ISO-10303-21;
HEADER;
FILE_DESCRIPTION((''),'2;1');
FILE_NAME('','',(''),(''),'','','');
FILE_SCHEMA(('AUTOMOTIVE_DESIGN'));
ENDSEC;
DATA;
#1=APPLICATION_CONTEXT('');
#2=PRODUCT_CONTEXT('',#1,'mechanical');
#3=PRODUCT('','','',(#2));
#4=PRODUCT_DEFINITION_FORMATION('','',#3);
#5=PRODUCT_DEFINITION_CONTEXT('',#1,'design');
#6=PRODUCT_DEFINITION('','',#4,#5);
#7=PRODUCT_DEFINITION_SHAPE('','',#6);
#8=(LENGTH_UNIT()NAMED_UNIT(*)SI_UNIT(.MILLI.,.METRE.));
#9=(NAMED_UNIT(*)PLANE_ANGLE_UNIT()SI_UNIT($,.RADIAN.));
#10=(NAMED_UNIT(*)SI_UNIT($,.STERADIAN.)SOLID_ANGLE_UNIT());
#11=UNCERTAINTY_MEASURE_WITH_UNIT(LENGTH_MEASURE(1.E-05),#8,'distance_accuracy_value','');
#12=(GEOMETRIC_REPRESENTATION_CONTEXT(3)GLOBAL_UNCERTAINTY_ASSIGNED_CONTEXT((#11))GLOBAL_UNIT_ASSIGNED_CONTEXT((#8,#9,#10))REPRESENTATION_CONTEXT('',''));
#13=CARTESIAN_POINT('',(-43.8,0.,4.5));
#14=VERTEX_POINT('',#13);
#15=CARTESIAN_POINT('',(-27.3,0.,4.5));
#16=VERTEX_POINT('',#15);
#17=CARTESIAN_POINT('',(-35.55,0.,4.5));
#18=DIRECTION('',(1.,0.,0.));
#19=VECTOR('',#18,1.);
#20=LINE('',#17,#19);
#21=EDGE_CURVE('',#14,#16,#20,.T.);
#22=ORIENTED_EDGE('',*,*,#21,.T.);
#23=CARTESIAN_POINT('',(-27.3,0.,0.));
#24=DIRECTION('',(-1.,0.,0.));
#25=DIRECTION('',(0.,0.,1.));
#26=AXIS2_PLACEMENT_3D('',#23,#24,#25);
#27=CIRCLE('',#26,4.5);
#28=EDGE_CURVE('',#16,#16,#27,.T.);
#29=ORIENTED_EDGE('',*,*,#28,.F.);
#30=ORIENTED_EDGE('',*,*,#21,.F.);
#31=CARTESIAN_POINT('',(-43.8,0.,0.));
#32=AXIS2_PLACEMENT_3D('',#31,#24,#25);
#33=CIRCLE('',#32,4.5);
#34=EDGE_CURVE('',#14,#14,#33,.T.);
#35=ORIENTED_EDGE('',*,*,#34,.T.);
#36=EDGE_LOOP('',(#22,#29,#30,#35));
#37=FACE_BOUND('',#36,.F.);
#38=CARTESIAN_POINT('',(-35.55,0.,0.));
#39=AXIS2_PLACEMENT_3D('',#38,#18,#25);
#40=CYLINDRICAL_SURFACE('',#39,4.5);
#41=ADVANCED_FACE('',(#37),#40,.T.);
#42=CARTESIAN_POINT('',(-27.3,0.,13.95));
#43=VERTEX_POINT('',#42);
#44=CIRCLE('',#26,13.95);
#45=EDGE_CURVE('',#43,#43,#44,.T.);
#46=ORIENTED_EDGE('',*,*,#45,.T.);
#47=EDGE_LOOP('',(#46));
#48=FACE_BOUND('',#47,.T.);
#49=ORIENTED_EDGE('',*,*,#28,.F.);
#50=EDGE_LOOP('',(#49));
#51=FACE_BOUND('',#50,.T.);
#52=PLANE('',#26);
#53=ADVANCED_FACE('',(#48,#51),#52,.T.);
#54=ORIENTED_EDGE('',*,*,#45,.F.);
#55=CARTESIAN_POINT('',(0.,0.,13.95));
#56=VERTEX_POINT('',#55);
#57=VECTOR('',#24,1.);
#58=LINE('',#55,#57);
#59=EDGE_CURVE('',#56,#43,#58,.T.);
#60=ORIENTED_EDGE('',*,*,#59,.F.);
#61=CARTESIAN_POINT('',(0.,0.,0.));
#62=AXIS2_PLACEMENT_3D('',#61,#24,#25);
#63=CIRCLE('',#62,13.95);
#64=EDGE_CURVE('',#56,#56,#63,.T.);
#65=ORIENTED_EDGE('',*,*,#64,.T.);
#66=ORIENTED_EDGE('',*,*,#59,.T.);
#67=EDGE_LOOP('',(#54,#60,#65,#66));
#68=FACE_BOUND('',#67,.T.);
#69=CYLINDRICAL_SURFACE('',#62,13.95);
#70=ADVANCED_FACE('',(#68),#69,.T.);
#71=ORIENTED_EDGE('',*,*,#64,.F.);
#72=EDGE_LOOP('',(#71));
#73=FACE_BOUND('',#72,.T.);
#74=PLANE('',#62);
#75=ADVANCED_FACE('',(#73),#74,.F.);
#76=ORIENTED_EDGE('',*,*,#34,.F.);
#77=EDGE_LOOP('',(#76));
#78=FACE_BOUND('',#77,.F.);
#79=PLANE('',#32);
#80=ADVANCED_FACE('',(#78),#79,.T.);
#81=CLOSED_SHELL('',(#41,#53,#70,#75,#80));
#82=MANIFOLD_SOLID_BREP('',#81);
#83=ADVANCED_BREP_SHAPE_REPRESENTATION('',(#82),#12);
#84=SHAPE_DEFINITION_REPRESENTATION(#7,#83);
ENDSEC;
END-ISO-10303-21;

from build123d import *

# Parameters (mm, degrees)
F0_W = 16.5
F0_H = 4.5


with BuildPart() as f1:
    # F0 (on Front) → F1 (revolve)
    with BuildSketch(Plane.XZ):
        Polygon((0, 13.95), (-27.3, 13.95), (-27.3, 4.5), (-27.3, 0), (0, 0), align=None)
        with Locations((-35.55, 2.25)):
            Rectangle(F0_W, F0_H)
    revolve(axis=Axis((-21.9, 0, 0), (-1, 0, 0)))


solid = f1.part
